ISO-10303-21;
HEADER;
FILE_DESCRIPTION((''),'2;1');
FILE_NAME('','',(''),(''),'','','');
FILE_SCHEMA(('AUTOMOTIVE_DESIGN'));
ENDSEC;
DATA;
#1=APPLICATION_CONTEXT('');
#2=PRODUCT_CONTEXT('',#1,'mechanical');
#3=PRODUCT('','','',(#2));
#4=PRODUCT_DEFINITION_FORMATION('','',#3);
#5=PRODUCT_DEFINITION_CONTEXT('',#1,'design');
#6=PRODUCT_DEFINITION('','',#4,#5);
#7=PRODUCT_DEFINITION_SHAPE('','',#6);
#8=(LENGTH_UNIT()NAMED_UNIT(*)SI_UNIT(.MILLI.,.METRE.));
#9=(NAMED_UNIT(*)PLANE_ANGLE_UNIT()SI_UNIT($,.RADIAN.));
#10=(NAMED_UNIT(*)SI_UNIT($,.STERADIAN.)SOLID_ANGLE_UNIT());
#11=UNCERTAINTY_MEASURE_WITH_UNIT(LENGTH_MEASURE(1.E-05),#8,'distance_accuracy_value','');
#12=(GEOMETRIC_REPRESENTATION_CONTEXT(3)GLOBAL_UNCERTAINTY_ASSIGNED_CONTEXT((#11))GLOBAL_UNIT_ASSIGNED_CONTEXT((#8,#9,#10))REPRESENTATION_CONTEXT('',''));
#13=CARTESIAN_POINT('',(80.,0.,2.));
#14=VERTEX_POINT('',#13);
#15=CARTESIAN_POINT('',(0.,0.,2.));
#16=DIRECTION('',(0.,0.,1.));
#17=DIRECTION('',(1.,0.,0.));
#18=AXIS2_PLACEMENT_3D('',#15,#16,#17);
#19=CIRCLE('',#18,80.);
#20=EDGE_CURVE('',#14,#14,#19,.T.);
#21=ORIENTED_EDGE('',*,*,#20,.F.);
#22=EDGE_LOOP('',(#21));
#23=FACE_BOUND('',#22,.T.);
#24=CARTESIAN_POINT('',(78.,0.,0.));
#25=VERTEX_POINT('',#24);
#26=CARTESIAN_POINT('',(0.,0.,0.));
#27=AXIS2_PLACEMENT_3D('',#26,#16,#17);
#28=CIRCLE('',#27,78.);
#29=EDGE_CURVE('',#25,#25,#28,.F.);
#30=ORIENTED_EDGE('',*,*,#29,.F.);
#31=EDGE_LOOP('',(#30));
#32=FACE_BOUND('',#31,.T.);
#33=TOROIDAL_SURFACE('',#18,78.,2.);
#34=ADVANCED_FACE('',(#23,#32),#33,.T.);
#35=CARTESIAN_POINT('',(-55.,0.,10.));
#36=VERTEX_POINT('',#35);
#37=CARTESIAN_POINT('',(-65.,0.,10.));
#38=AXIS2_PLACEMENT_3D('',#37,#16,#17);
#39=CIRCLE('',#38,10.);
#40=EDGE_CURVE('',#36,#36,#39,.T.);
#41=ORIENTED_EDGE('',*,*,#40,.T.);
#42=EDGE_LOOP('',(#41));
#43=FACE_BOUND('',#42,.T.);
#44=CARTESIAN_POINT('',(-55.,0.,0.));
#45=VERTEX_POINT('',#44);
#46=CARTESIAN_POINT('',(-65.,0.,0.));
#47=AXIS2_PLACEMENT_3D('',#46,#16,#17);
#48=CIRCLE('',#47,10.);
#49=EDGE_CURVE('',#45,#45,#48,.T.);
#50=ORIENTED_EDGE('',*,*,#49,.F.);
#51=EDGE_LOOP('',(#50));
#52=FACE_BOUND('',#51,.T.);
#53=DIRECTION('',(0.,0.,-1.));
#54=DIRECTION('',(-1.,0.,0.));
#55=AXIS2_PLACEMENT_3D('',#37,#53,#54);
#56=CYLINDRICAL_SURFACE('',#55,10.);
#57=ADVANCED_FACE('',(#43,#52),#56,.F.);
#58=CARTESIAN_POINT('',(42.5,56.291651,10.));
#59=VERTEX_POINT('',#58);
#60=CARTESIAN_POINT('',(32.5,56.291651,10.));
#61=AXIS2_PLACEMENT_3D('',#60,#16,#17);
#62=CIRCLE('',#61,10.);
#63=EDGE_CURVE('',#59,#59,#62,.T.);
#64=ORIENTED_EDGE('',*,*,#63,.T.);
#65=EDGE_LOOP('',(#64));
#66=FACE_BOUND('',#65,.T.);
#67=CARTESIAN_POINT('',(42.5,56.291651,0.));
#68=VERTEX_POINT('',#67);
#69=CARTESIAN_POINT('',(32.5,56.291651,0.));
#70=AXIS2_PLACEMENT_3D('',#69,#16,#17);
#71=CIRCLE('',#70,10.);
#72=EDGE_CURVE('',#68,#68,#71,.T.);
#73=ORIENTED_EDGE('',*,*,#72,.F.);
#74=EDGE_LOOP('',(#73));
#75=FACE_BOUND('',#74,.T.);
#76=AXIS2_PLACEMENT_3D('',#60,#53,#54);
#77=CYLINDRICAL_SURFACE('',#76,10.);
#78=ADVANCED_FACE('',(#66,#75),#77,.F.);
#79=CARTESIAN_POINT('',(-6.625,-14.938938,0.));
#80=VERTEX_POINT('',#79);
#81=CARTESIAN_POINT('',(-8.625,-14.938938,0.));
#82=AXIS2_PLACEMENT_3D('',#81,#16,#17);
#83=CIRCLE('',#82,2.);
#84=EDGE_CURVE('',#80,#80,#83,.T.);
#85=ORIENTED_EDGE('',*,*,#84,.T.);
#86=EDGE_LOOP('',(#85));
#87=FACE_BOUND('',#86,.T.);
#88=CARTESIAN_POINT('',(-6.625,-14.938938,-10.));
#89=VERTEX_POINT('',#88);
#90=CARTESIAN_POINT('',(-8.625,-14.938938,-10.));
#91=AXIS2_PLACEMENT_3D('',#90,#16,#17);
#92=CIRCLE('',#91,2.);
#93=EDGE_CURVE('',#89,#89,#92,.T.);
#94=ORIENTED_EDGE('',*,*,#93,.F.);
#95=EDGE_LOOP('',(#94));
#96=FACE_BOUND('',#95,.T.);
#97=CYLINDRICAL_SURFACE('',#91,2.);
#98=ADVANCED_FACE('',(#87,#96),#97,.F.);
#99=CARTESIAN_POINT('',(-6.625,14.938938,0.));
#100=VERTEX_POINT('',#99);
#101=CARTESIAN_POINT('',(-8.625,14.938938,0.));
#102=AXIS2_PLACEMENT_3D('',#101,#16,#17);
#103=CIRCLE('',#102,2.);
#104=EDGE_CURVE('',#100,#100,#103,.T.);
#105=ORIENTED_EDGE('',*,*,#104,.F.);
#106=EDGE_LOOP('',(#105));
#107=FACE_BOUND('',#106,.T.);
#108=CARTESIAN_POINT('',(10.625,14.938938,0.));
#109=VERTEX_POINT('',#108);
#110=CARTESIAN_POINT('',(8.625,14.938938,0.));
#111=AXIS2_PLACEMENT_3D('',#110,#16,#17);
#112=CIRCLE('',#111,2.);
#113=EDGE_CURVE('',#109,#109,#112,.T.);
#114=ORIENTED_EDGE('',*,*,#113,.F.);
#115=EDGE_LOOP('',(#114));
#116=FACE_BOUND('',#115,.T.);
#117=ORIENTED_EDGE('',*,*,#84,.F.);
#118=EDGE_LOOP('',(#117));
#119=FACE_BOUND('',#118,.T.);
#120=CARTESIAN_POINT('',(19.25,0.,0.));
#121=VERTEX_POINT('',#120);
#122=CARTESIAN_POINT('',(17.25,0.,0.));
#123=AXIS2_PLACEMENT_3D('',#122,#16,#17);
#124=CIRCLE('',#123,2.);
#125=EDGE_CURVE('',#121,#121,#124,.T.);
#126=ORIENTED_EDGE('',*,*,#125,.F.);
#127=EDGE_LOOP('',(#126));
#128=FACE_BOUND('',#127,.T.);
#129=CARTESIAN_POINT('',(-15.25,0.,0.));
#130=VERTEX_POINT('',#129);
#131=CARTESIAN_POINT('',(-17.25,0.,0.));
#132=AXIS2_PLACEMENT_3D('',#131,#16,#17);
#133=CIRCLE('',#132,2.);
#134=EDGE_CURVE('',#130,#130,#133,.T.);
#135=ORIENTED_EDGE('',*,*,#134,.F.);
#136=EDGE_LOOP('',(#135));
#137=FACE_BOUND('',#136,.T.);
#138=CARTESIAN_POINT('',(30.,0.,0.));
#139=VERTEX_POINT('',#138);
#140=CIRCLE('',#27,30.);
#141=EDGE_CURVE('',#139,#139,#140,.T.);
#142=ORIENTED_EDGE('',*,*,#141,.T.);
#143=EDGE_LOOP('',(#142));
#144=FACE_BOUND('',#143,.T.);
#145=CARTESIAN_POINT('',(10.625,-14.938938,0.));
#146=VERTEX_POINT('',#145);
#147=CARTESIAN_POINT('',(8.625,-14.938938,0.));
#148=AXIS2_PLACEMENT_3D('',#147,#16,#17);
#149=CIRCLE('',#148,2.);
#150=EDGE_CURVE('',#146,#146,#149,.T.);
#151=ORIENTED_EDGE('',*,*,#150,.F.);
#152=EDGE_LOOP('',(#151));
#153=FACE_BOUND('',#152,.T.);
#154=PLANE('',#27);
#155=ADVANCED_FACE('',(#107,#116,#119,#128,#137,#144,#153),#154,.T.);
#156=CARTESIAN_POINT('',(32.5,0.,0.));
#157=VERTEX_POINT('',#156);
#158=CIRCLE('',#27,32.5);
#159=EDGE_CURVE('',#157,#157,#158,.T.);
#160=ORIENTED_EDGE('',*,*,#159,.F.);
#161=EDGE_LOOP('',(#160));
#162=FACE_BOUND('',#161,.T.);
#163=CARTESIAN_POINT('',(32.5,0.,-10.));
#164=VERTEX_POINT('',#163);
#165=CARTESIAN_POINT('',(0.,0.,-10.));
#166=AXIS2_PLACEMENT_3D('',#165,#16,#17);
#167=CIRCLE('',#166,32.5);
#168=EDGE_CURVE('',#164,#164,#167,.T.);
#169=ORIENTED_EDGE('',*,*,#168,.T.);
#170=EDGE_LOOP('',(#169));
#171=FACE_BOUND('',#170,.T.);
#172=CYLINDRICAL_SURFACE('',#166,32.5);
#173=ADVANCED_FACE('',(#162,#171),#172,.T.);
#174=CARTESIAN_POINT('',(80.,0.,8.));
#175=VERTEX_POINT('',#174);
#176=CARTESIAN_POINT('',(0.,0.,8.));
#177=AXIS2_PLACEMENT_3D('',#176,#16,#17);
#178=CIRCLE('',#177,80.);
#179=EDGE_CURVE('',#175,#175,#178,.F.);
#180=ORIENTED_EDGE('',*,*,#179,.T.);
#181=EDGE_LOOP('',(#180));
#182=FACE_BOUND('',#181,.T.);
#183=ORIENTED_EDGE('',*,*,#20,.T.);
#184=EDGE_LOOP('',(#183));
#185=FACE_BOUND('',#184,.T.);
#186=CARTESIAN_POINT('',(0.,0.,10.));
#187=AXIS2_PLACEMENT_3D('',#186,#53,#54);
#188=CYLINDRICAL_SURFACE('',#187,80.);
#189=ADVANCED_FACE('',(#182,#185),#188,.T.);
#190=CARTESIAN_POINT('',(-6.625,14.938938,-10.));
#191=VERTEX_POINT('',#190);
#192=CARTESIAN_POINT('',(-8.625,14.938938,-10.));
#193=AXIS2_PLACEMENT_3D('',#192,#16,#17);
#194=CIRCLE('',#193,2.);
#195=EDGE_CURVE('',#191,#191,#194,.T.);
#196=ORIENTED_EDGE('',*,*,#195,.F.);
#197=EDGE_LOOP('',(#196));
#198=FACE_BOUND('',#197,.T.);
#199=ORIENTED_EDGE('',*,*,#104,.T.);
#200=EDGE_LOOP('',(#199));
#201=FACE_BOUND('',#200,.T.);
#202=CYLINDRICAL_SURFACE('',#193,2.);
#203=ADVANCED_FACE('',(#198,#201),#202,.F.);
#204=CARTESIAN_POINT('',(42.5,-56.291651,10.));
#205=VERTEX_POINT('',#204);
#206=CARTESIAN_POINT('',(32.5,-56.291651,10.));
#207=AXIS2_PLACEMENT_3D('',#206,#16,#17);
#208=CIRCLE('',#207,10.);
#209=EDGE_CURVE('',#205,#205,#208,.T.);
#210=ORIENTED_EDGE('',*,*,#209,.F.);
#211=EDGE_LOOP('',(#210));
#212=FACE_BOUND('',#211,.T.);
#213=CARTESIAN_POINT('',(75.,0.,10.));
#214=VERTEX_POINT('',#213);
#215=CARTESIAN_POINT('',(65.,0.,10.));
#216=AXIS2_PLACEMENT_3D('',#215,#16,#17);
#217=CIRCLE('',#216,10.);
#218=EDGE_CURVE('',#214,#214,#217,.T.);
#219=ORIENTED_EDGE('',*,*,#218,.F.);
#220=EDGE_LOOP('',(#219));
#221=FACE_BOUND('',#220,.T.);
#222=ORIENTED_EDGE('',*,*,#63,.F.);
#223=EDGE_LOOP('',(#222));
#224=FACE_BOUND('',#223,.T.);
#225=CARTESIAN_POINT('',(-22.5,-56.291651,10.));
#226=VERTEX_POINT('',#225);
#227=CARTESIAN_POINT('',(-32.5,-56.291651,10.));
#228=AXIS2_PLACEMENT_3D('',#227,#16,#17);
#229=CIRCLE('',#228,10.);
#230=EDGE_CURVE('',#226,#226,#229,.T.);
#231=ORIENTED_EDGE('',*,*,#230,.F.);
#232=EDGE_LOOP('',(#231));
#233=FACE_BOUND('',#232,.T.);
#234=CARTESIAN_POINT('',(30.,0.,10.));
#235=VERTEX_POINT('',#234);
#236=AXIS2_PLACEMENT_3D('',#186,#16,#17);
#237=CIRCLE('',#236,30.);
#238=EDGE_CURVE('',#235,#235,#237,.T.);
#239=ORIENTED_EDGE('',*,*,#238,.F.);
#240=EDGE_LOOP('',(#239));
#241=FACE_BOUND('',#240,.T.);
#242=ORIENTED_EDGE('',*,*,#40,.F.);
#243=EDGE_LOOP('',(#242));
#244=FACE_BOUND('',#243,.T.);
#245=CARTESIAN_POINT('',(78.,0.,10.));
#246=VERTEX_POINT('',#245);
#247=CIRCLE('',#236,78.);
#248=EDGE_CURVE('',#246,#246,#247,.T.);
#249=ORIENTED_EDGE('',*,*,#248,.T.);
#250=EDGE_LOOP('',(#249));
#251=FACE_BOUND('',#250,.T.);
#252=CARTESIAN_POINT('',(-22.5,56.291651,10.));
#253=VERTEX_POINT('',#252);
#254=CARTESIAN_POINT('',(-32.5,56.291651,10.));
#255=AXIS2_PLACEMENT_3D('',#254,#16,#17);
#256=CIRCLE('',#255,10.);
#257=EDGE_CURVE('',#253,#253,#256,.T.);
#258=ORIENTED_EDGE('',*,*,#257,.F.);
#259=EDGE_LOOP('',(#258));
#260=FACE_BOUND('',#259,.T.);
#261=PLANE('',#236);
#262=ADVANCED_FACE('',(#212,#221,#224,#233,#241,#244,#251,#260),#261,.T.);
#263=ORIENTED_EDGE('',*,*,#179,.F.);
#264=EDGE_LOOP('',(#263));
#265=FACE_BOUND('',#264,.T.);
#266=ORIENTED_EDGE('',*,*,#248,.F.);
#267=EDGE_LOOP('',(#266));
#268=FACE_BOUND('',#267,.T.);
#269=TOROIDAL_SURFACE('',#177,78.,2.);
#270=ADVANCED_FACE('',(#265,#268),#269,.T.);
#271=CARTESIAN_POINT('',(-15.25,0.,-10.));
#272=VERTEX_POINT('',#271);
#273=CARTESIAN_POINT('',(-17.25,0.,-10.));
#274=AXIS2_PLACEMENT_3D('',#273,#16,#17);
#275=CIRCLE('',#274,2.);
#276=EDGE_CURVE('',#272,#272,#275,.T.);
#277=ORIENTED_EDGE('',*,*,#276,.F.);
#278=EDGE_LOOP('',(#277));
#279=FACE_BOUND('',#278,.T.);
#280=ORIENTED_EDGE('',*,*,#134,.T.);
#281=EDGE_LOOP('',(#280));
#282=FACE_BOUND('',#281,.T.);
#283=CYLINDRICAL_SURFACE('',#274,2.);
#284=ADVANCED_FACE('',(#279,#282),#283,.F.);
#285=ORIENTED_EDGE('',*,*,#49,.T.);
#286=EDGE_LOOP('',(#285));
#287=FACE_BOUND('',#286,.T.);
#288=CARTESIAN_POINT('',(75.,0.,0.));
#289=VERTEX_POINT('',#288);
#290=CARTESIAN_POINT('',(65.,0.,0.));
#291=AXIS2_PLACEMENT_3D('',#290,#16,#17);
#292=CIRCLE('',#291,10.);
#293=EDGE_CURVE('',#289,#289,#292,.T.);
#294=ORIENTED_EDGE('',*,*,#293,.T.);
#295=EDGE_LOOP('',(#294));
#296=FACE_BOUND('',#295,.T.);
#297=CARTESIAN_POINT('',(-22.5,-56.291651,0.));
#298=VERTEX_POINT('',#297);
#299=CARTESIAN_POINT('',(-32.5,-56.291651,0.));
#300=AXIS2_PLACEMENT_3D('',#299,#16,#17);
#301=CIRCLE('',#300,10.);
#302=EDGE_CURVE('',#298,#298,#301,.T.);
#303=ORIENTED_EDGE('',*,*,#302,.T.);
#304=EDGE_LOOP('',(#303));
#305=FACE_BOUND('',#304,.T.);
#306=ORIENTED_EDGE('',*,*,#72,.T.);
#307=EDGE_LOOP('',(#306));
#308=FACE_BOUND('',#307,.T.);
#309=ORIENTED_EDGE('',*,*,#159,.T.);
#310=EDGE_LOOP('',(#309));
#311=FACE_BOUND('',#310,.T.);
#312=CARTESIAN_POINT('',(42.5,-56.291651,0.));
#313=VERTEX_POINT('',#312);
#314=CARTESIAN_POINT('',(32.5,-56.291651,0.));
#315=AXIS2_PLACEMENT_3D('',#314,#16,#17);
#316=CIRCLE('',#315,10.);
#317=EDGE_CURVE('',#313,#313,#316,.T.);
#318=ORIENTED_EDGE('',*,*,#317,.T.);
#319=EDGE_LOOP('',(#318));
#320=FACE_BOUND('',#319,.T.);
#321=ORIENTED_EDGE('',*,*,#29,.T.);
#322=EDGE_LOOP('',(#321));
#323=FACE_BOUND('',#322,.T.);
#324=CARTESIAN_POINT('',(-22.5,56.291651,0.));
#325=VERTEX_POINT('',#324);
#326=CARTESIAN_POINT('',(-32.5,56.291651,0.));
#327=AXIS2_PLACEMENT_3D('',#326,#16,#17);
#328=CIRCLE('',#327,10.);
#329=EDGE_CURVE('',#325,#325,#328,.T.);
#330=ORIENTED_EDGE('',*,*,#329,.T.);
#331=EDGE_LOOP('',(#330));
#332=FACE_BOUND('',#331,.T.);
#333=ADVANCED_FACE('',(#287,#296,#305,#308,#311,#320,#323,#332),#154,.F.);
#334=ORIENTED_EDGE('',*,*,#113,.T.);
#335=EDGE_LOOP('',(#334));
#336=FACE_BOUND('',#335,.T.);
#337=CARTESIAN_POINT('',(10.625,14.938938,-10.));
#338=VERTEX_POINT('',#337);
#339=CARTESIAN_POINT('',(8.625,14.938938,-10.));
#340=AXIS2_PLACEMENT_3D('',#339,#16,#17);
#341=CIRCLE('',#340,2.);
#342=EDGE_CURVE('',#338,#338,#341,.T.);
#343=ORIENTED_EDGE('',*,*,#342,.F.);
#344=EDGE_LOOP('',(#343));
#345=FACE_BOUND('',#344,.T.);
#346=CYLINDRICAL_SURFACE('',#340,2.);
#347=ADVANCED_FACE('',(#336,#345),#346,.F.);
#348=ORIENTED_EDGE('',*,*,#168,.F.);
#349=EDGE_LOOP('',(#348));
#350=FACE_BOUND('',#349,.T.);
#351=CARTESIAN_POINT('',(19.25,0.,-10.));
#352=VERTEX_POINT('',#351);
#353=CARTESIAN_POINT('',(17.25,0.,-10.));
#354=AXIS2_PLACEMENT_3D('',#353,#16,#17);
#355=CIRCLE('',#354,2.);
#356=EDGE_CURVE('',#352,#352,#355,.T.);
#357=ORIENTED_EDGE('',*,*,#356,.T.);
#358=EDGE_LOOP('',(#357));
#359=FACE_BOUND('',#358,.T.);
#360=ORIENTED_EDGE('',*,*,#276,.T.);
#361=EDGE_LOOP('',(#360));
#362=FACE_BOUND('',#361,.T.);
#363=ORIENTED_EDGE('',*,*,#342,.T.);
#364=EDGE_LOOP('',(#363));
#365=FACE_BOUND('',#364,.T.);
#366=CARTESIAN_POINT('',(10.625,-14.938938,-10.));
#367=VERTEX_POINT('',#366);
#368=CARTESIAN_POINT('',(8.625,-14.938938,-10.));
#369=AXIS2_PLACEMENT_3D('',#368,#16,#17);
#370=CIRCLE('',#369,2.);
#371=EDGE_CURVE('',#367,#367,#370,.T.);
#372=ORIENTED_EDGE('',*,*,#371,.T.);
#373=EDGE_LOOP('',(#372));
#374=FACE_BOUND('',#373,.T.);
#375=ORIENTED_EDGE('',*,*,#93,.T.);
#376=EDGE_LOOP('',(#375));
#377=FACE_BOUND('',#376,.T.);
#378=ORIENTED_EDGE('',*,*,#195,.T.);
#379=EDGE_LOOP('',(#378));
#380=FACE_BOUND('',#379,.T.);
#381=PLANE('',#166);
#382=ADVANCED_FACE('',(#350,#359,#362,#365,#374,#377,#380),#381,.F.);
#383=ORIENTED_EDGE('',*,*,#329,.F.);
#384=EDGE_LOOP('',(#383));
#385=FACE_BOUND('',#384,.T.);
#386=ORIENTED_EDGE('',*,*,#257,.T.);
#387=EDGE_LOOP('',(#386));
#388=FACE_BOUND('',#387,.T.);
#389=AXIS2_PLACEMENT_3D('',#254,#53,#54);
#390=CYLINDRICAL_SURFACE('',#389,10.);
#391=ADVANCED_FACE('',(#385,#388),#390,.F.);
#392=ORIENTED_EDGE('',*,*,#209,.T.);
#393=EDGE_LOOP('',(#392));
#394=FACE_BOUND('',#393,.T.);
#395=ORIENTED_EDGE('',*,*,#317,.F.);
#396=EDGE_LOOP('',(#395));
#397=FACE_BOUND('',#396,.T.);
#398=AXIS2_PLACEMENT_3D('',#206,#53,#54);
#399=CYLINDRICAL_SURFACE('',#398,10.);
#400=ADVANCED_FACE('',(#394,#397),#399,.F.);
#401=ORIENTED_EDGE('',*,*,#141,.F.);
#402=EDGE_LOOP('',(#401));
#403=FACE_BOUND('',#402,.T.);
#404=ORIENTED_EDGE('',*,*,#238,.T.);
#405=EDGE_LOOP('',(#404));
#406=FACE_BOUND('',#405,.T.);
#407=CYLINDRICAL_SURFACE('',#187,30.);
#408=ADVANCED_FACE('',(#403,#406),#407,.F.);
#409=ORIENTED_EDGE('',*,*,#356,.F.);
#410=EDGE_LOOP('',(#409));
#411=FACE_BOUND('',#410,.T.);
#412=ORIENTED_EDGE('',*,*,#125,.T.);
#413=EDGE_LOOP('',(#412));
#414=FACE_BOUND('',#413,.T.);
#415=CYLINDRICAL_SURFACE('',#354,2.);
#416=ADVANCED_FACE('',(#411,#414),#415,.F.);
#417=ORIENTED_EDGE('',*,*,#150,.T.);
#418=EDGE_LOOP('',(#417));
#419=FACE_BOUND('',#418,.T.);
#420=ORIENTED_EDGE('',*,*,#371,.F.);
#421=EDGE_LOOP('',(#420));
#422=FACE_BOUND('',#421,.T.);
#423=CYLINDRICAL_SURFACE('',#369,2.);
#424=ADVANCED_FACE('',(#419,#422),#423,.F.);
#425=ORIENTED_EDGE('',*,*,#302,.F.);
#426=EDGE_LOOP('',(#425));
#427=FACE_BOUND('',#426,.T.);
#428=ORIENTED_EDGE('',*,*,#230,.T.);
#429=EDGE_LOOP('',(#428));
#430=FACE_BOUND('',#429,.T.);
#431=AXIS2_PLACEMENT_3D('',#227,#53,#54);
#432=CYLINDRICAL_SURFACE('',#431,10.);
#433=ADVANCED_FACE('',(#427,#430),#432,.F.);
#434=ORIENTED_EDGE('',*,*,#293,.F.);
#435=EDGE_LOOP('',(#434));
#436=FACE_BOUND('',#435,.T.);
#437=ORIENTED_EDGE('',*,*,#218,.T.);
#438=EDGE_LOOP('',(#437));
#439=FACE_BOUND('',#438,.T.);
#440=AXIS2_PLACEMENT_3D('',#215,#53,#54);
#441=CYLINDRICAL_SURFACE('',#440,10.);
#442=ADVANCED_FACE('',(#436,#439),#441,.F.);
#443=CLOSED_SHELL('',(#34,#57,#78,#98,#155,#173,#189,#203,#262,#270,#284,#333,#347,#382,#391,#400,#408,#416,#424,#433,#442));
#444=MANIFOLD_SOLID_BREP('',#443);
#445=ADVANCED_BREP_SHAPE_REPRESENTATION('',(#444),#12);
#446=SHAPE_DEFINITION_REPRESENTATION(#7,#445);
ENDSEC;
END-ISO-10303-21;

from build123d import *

# Parameters (mm, degrees)
SKETCH_2_R          = 80
EXTRUDE_1_DEPTH     = 10
SKETCH_3_R          = 32.5
EXTRUDE_2_DEPTH     = 10
SKETCH_4_R          = 2
CUT_EXTRUDE_1_DEPTH = 10
SKETCH_5_R          = 30
CUT_EXTRUDE_2_DEPTH = 10
SKETCH_6_R          = 10
CUT_EXTRUDE_3_DEPTH = 10
FILLET_1_R          = 2


with BuildPart() as part:
    # 草图2 → 凸台-拉伸1 (new body)
    with BuildSketch(Plane.XY):
        Circle(SKETCH_2_R)
    extrude(amount=EXTRUDE_1_DEPTH)

    # 草图3 → 凸台-拉伸2 (add)
    with BuildSketch(Plane.XY):
        Circle(SKETCH_3_R)
    extrude(amount=-EXTRUDE_2_DEPTH)

    # 草图4 → 切除-拉伸1 (cut)
    with BuildSketch(Plane.XY):
        with Locations((-17.25, 0)):
            Circle(SKETCH_4_R)
        with Locations((-8.625, 14.938938215)):
            Circle(SKETCH_4_R)
        with Locations((8.625, 14.938938215)):
            Circle(SKETCH_4_R)
        with Locations((17.25, 0)):
            Circle(SKETCH_4_R)
        with Locations((8.625, -14.938938215)):
            Circle(SKETCH_4_R)
        with Locations((-8.625, -14.938938215)):
            Circle(SKETCH_4_R)
    extrude(amount=-CUT_EXTRUDE_1_DEPTH, mode=Mode.SUBTRACT)

    # 草图5 → 切除-拉伸2 (cut)
    with BuildSketch(Plane.XY):
        Circle(SKETCH_5_R)
    extrude(amount=CUT_EXTRUDE_2_DEPTH, mode=Mode.SUBTRACT)

    # 草图6 → 切除-拉伸3 (cut)
    with BuildSketch(Plane.XY):
        with Locations((-65, 0)):
            Circle(SKETCH_6_R)
        with Locations((-32.5, 56.291651246)):
            Circle(SKETCH_6_R)
        with Locations((32.5, 56.291651246)):
            Circle(SKETCH_6_R)
        with Locations((65, 0)):
            Circle(SKETCH_6_R)
        with Locations((32.5, -56.291651246)):
            Circle(SKETCH_6_R)
        with Locations((-32.5, -56.291651246)):
            Circle(SKETCH_6_R)
    extrude(amount=CUT_EXTRUDE_3_DEPTH, mode=Mode.SUBTRACT)

    # 圆角1
    fillet_1_edges = [part.edges().sort_by_distance(p)[0] for p in [
        (-80, 0, 0),
        (-80, 0, 10),
    ]]
    fillet(fillet_1_edges, radius=FILLET_1_R)


solid = part.part
